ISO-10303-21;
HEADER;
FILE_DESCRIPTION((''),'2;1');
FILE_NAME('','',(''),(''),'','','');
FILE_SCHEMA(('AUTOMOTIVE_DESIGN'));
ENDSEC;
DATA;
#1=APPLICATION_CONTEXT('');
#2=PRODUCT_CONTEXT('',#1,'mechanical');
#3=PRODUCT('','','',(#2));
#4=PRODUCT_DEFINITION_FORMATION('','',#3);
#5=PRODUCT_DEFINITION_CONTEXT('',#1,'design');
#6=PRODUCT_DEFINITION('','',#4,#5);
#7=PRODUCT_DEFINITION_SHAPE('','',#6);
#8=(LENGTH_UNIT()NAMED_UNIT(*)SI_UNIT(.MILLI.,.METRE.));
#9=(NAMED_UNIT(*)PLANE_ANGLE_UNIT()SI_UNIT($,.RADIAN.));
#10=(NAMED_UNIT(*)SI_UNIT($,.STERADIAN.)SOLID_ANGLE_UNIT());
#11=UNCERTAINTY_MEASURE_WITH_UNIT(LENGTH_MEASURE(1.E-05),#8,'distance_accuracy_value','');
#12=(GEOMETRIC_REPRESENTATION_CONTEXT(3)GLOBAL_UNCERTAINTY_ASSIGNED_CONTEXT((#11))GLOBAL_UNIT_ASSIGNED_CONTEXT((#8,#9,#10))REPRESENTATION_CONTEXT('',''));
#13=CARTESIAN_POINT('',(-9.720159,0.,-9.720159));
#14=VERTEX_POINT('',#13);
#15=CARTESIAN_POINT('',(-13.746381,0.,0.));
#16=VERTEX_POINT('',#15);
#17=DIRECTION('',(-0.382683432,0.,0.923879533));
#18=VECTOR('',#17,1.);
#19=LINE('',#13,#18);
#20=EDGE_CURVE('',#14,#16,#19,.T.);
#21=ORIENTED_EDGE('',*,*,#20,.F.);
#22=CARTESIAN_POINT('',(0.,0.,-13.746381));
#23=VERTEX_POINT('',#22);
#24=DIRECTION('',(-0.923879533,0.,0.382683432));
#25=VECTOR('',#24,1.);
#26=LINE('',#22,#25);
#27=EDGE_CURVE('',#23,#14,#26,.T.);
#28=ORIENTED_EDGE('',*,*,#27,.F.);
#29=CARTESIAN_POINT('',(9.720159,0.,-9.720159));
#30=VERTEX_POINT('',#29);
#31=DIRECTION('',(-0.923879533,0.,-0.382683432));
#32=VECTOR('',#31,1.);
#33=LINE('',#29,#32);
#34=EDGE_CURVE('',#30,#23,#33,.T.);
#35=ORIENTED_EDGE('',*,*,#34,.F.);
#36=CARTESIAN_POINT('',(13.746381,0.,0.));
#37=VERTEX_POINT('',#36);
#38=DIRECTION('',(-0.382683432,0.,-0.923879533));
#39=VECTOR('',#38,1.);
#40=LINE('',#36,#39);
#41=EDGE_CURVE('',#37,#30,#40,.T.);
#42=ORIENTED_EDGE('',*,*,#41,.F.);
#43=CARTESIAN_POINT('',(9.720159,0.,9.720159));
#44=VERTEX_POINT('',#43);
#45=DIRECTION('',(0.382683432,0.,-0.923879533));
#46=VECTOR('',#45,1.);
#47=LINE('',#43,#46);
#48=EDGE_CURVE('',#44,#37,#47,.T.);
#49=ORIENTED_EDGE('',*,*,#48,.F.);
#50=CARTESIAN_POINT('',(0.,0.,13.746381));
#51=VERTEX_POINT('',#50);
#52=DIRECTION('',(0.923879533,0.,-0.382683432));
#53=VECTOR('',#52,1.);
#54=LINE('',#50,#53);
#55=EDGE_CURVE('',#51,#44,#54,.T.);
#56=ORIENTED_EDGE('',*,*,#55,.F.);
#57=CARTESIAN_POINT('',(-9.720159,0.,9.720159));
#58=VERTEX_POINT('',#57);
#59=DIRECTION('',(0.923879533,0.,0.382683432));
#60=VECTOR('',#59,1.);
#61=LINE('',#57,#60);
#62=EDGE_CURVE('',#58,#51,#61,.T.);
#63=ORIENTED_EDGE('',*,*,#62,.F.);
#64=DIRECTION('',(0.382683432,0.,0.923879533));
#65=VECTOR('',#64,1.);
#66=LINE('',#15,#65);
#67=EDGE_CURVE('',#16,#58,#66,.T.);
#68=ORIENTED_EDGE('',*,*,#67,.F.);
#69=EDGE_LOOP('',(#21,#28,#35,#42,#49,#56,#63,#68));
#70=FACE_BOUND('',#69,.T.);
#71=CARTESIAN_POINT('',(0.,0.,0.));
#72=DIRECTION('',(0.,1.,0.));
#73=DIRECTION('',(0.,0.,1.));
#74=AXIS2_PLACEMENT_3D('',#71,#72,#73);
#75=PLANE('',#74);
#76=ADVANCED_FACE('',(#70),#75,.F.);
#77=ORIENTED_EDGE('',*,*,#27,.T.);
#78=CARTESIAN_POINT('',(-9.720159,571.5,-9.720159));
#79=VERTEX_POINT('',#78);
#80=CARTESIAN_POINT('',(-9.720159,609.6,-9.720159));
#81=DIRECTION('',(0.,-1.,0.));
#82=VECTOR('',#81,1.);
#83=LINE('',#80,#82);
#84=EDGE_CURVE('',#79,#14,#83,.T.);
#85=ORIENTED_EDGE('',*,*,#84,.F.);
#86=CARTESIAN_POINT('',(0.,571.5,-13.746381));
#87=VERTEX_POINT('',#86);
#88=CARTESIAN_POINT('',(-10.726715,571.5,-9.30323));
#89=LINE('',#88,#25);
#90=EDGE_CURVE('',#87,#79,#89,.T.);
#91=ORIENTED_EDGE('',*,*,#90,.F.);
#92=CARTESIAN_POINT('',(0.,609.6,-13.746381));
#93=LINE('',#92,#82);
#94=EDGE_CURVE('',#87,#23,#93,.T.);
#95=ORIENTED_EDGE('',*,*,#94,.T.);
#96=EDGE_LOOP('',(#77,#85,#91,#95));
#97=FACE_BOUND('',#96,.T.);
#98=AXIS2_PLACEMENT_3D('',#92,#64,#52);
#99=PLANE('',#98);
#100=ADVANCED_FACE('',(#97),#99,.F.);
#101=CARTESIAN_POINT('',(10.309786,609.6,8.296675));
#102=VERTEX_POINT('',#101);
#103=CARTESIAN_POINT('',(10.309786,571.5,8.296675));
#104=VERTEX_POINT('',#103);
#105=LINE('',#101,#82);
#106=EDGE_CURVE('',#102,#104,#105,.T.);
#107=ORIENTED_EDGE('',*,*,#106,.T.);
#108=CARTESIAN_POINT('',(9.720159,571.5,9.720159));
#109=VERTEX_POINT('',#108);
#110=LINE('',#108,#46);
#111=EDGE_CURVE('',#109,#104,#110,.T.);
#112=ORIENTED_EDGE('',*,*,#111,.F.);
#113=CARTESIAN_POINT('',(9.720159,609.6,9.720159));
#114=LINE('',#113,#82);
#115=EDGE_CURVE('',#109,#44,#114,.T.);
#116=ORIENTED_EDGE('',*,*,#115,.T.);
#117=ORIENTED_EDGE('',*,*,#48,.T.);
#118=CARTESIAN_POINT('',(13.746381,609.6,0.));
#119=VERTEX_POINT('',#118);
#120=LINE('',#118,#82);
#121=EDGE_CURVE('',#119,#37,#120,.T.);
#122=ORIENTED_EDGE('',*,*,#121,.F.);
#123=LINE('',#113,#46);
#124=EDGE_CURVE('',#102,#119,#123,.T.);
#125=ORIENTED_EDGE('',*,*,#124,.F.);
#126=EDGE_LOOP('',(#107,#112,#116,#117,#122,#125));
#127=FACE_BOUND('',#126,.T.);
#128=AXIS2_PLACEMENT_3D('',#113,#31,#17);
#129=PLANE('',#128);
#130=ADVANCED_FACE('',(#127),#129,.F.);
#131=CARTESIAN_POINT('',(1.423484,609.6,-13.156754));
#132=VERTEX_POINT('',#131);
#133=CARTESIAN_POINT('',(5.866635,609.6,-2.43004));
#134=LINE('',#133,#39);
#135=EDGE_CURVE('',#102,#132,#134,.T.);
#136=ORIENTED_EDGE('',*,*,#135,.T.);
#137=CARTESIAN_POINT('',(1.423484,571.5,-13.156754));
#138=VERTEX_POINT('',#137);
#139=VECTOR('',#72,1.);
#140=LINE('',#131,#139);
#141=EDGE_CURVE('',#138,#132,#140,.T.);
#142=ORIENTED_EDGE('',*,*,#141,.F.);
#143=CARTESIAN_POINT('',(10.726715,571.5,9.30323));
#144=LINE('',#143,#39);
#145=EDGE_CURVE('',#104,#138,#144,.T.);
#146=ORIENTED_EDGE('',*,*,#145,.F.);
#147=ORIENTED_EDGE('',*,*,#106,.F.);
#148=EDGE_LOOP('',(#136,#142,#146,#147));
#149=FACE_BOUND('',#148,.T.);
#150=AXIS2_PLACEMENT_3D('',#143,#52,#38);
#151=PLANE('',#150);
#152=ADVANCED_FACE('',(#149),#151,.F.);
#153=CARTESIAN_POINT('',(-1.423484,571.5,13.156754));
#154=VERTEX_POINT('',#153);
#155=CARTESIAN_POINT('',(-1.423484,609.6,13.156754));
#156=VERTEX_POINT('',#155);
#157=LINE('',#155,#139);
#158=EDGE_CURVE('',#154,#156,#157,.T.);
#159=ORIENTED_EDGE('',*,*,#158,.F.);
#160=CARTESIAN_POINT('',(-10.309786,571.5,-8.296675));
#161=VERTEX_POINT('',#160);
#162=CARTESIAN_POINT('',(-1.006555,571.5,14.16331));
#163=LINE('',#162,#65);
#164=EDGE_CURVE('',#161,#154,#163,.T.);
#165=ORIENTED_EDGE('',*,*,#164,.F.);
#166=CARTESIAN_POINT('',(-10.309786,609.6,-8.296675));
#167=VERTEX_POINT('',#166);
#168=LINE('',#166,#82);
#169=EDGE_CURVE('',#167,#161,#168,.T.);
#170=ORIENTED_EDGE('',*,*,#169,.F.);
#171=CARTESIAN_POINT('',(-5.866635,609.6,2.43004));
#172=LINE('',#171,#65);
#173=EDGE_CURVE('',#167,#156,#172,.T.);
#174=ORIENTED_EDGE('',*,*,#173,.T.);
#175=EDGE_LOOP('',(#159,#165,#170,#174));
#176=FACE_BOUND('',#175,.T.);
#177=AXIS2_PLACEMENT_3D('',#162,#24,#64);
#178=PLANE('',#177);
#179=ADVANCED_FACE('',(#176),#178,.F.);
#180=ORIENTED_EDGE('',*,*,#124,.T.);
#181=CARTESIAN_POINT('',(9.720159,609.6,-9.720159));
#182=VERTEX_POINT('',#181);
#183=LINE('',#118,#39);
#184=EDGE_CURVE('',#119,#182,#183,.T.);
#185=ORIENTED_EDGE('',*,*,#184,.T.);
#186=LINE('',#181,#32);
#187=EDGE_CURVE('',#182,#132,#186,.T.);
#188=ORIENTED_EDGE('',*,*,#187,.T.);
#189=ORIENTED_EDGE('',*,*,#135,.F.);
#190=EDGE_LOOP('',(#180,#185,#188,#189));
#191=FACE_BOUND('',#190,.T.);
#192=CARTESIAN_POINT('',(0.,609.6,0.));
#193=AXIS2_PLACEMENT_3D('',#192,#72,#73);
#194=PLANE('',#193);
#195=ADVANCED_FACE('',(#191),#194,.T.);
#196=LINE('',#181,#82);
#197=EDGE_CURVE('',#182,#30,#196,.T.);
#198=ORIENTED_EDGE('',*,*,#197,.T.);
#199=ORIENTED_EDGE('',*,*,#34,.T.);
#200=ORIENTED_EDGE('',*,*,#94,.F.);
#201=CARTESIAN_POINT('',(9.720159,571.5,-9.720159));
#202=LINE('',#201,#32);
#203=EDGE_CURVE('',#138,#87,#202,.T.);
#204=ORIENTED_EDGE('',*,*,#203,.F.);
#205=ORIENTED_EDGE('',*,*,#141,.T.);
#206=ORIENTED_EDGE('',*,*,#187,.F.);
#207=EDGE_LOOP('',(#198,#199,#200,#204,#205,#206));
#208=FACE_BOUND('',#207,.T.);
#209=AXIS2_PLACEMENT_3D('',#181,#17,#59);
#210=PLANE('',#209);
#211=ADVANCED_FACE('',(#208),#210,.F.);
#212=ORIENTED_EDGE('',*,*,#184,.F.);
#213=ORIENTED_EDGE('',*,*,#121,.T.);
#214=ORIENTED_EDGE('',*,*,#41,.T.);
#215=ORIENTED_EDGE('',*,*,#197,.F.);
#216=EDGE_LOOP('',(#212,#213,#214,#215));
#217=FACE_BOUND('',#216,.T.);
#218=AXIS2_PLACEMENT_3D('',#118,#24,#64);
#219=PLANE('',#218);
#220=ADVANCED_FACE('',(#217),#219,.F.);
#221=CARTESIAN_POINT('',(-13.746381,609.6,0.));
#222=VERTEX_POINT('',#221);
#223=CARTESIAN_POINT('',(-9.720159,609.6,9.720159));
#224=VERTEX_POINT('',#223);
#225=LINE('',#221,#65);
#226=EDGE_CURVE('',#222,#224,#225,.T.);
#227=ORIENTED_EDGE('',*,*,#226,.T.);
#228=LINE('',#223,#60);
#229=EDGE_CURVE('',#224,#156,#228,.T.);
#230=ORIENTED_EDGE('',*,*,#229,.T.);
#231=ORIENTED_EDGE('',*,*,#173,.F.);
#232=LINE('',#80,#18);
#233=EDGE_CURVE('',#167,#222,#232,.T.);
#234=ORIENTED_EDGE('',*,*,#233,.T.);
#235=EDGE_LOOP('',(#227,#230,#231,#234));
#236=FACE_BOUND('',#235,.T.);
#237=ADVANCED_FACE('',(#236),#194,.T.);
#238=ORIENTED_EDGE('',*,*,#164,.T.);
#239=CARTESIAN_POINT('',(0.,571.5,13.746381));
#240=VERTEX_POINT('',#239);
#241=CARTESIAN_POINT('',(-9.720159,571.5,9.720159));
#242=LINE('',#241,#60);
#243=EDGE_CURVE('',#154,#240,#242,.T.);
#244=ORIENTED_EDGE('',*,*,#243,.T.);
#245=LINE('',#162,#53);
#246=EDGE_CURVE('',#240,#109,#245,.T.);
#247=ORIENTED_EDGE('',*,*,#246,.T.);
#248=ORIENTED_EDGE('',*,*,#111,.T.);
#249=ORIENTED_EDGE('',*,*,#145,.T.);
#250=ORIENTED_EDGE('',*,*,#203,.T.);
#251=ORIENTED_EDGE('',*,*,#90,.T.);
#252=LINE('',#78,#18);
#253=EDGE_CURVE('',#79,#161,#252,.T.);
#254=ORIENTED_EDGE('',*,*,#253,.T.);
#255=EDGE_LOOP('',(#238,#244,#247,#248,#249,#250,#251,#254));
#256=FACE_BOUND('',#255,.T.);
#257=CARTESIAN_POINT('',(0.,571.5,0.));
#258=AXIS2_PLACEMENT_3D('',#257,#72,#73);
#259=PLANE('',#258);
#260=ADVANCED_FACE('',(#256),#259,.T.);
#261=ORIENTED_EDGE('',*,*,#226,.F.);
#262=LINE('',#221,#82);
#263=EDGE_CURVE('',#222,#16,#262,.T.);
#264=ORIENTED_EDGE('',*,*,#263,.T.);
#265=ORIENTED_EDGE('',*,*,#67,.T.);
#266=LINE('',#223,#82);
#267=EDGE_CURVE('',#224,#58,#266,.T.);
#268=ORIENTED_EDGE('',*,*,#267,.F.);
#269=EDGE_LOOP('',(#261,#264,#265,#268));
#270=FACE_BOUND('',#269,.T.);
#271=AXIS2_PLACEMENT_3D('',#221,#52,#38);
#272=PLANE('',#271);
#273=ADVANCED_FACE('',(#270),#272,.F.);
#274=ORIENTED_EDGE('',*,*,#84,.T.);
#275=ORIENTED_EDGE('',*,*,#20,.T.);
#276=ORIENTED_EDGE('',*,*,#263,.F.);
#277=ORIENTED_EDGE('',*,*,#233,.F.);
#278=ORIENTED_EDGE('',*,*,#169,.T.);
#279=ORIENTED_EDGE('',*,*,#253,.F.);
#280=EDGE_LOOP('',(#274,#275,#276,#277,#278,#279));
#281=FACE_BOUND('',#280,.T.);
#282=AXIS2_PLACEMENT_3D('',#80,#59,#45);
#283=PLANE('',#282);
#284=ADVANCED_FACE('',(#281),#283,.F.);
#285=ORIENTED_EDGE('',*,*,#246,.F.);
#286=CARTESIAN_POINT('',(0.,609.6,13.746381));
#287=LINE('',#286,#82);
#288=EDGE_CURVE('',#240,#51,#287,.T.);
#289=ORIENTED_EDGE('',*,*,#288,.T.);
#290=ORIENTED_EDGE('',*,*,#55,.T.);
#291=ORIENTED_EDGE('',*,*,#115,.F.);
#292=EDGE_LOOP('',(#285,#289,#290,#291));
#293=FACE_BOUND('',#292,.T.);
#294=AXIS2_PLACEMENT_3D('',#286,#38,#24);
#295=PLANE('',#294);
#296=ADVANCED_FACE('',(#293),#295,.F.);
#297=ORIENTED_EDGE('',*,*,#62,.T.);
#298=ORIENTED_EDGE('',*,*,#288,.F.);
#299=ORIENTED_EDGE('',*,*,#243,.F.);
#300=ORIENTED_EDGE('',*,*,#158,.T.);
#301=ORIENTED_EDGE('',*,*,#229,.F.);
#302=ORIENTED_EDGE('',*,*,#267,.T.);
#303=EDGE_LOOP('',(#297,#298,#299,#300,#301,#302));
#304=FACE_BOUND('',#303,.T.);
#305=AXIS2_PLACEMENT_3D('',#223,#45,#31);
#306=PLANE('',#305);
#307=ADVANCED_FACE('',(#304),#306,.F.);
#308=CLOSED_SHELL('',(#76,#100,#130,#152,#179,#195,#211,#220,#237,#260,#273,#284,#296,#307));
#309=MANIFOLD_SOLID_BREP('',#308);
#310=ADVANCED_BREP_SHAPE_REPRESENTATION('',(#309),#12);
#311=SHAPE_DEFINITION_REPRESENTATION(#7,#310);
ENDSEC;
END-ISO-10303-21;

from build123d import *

# Parameters (mm, degrees)
BOSS_EXTRUDE1_DEPTH = 609.6
CUT_EXTRUDE1_DEPTH  = 38.1


with BuildPart() as part:
    # Sketch1 → Boss-Extrude1 (new body)
    with BuildSketch(Plane(origin=(0, 0, 0), x_dir=(1, 0, 0), z_dir=(0, 1, 0))):
        Polygon((13.746380944, 0), (9.720159182, 9.720159182), (0, 13.746380944), (-9.720159182, 9.720159182), (-13.746380944, 0), (-9.720159182, -9.720159182), (0, -13.746380944), (9.720159182, -9.720159182), align=None)
    extrude(amount=BOSS_EXTRUDE1_DEPTH)

    # Sketch2 → Cut-Extrude1 (cut)
    with BuildSketch(Plane(origin=(0, 609.6, 0), x_dir=(1, 0, 0), z_dir=(0, 1, 0))):
        Polygon((-1.00655544, -14.163309858), (-10.726714622, 9.303230267), (1.00655544, 14.163309858), (10.726714622, -9.303230267), align=None)
    extrude(amount=-CUT_EXTRUDE1_DEPTH, mode=Mode.SUBTRACT)


solid = part.part
